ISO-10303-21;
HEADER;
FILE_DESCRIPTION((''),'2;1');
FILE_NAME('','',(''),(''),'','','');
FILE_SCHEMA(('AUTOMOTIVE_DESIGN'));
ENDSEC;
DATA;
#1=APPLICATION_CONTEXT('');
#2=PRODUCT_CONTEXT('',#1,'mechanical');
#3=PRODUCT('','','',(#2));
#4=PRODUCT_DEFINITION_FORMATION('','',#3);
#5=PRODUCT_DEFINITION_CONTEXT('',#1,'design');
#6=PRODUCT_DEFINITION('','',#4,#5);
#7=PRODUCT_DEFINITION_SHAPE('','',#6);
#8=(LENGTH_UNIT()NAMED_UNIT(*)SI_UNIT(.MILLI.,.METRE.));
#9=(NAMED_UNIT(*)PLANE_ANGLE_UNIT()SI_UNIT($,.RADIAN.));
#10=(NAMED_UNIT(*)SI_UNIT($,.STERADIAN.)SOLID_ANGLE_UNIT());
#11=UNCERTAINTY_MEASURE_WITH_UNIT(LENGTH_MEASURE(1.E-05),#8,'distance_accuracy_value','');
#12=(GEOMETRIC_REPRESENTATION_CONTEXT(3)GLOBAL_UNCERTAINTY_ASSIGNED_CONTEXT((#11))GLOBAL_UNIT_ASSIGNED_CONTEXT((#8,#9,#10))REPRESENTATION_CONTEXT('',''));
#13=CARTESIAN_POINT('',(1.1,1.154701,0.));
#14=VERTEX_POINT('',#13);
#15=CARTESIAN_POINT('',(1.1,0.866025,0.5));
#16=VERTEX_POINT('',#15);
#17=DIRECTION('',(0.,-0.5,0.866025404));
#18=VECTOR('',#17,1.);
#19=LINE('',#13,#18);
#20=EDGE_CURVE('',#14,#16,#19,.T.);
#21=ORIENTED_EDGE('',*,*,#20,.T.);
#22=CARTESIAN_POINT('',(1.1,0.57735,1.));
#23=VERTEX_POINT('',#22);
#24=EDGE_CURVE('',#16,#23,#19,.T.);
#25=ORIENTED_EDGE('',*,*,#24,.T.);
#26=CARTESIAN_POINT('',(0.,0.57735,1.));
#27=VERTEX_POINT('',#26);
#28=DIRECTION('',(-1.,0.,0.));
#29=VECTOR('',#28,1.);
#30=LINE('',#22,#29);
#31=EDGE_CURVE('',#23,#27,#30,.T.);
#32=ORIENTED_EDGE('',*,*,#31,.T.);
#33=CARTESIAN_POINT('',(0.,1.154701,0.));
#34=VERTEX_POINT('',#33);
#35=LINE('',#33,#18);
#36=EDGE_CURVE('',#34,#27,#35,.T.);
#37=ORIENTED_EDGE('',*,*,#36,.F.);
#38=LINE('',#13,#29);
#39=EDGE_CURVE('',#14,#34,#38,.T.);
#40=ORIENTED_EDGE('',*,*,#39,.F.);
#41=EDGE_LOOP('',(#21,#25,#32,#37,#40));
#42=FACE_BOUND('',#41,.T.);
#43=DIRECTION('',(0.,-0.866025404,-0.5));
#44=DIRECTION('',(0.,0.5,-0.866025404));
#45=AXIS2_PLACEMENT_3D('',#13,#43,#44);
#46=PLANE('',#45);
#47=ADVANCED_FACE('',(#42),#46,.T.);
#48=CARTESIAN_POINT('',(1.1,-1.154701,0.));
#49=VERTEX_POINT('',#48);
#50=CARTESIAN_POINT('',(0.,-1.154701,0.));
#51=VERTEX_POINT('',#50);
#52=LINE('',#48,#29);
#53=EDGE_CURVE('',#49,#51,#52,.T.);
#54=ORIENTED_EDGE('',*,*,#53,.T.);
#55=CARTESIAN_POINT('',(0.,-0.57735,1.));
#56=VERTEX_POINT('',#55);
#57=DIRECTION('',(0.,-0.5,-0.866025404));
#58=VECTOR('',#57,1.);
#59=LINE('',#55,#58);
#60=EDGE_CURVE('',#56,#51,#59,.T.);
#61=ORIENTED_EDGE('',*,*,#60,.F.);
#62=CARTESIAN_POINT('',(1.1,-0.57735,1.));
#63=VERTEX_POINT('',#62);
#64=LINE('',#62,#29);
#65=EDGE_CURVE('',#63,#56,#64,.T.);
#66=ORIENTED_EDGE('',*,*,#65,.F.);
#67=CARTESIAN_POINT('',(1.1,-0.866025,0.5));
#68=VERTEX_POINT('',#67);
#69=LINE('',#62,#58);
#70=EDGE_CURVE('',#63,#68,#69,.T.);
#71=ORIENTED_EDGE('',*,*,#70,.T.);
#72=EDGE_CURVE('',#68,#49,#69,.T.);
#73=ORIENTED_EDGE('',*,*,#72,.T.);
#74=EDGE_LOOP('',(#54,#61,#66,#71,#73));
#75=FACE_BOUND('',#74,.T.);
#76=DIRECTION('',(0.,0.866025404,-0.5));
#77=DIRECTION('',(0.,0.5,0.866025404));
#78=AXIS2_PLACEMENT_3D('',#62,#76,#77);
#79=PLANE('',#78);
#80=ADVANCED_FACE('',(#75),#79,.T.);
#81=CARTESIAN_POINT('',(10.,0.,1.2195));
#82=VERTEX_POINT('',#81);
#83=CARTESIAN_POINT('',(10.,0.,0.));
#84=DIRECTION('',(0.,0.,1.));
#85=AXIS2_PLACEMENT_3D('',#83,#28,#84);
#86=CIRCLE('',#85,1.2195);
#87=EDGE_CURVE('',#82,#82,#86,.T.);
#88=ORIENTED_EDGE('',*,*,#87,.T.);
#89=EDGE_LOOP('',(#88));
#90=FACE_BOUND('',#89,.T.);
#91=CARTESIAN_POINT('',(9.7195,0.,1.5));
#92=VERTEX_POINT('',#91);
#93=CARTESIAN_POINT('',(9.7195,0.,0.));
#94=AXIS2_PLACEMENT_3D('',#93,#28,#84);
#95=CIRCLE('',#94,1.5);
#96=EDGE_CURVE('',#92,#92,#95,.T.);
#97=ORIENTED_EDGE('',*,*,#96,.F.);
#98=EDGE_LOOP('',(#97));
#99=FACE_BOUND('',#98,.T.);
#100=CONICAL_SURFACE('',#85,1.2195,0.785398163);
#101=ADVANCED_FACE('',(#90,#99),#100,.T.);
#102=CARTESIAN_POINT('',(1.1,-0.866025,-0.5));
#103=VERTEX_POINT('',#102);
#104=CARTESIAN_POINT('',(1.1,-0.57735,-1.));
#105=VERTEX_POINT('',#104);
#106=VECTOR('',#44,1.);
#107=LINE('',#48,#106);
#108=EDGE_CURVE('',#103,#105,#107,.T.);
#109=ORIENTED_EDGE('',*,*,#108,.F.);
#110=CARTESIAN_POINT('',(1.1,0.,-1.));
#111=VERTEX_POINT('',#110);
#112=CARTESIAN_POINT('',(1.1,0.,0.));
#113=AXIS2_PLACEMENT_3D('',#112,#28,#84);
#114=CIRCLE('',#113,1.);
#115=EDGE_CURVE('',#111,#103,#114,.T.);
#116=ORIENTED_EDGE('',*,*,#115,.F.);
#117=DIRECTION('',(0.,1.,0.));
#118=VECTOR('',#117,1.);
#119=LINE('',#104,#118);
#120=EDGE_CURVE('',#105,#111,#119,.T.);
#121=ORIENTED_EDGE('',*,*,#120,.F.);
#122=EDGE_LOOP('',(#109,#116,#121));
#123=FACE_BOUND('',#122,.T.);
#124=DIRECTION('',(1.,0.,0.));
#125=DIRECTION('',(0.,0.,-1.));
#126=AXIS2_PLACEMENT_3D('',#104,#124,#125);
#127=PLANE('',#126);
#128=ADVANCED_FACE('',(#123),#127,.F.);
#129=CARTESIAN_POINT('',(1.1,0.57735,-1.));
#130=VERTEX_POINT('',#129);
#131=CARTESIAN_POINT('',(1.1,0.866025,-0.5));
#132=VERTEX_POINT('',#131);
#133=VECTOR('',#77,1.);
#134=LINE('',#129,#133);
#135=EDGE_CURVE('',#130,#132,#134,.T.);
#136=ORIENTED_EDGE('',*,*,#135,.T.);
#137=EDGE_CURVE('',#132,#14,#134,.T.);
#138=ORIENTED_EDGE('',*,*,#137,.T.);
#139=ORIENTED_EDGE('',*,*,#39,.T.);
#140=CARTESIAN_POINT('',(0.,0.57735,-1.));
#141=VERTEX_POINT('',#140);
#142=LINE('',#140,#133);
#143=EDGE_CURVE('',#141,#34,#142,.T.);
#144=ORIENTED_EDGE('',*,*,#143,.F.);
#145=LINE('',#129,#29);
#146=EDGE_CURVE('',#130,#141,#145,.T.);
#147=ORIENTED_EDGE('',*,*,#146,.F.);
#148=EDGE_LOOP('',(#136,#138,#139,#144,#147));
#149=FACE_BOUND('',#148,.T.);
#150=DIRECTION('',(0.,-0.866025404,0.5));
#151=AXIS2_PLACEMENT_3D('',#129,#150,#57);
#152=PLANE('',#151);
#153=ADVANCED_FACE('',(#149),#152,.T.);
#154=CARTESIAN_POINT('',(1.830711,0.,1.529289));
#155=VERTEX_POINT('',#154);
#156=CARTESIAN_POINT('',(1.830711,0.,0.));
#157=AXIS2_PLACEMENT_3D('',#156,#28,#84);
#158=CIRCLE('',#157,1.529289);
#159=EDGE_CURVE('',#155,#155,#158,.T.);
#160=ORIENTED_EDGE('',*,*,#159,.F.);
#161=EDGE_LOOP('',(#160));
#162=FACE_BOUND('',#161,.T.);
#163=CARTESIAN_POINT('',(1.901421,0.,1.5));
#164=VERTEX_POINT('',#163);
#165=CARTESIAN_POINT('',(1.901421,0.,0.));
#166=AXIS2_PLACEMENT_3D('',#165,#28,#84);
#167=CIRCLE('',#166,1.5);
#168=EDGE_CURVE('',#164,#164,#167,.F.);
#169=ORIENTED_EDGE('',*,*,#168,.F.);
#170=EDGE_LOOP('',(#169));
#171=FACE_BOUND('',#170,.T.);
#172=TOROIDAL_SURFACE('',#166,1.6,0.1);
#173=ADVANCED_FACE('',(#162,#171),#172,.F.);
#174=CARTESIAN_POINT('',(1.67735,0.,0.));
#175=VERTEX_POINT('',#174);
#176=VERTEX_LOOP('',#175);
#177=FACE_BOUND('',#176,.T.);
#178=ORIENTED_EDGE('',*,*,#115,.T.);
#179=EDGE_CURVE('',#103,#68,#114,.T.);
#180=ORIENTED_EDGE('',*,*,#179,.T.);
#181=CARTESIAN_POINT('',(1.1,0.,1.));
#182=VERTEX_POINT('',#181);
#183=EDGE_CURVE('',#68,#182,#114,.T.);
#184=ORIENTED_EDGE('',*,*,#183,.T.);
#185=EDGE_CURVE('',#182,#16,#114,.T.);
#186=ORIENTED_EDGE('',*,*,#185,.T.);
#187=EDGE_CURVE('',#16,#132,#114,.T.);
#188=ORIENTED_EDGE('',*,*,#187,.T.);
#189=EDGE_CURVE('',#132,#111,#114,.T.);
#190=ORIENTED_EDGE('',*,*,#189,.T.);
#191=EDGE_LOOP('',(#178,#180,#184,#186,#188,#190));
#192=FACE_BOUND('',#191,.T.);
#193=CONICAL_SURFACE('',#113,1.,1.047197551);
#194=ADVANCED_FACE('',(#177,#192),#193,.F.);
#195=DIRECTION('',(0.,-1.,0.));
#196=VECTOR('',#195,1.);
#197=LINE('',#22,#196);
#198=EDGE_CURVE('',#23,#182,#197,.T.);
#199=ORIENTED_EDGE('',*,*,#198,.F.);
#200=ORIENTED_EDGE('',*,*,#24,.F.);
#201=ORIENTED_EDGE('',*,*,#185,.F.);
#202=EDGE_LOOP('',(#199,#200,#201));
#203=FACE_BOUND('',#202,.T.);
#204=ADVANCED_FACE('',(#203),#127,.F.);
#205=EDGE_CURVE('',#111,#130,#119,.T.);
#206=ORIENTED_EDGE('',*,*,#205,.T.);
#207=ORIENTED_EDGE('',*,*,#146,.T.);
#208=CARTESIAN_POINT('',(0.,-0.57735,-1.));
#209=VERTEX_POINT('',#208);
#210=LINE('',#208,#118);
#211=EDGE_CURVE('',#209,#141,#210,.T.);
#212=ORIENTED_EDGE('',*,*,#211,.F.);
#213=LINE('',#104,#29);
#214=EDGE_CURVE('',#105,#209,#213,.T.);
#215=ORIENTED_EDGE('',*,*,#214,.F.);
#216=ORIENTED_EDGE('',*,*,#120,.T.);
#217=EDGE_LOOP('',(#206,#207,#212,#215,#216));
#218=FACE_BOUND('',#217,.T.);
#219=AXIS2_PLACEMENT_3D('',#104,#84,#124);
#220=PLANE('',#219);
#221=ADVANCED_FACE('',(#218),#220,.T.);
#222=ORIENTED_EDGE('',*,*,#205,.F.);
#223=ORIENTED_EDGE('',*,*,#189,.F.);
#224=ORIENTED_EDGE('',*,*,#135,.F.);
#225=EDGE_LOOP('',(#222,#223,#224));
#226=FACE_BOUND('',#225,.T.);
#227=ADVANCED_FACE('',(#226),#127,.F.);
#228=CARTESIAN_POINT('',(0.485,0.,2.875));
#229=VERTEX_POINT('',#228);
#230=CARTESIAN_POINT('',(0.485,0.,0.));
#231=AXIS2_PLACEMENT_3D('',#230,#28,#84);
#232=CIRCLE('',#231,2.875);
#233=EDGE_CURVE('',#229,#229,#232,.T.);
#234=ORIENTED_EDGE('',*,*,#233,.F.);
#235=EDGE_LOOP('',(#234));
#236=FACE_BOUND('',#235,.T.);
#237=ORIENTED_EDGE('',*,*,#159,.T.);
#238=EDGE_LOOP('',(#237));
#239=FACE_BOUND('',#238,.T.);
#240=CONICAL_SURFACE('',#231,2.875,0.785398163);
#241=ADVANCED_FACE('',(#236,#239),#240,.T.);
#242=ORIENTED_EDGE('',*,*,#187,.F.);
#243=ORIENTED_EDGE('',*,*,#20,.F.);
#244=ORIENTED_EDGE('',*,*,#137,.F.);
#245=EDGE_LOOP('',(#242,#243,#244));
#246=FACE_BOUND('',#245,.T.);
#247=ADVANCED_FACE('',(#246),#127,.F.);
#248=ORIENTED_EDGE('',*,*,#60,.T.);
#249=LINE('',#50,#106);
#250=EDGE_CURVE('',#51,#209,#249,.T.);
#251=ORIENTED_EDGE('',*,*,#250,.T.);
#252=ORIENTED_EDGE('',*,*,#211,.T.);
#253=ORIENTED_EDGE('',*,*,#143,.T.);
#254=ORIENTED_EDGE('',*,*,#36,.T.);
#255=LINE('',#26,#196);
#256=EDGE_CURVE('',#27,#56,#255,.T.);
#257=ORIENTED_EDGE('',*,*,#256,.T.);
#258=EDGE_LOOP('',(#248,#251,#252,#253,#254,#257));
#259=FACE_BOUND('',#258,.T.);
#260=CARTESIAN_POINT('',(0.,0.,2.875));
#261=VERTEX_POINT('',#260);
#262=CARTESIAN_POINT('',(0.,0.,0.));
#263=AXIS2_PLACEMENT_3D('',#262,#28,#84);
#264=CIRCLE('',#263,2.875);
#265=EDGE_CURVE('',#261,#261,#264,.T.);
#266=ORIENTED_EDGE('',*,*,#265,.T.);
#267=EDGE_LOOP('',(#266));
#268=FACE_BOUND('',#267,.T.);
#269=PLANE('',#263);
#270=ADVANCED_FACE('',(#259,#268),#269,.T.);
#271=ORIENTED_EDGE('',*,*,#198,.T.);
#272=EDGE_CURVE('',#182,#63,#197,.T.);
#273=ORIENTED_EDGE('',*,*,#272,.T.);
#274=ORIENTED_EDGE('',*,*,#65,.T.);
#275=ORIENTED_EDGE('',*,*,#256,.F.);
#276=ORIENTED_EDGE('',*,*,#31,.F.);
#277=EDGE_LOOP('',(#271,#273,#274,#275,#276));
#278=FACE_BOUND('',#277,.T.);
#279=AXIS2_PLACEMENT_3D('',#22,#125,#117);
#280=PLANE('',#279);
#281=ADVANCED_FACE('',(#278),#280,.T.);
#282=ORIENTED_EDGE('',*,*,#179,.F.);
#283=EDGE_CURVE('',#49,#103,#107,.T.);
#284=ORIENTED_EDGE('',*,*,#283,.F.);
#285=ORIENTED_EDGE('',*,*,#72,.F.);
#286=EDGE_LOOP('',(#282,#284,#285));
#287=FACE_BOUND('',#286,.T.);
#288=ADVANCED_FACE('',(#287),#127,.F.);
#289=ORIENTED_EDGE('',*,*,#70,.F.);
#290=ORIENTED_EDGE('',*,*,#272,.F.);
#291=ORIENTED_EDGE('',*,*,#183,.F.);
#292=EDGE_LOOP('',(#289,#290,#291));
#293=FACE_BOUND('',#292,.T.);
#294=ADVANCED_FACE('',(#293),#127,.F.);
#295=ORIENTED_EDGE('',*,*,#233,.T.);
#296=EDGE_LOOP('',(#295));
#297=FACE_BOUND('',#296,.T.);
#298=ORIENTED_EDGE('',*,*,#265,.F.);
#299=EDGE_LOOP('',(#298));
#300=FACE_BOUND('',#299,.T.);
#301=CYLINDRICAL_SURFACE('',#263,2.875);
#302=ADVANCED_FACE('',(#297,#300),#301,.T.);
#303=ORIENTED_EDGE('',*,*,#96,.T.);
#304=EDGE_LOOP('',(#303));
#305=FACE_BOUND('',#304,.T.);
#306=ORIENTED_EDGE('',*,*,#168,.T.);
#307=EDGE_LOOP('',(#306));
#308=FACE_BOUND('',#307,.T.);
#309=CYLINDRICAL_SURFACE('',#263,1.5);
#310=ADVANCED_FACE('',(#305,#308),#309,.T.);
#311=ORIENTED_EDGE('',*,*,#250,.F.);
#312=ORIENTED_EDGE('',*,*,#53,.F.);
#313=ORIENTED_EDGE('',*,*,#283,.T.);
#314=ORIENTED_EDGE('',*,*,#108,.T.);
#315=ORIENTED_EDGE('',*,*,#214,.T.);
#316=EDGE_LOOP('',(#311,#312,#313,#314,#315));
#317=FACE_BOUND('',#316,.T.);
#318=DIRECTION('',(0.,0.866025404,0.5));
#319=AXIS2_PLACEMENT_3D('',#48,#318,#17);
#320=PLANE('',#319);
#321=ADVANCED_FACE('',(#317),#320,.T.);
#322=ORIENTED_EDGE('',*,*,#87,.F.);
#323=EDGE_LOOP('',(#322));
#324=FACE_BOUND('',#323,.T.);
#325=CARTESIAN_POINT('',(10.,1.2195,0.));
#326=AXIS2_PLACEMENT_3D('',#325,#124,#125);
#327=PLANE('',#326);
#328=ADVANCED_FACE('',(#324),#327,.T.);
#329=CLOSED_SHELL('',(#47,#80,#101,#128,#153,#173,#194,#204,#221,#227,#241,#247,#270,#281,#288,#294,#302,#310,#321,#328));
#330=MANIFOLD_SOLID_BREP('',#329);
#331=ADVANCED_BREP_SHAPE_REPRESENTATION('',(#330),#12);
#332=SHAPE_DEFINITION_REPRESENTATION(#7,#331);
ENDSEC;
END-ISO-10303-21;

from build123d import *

# Parameters (mm, degrees)
FILLET1_R   = 0.1
HEX_2_DEPTH = 1.1


with BuildPart() as part:
    # BodySke → BaseBody (revolve)
    with BuildSketch(Plane.XY, mode=Mode.PRIVATE) as basebody_sk:
        Polygon((0, 0), (0, 2.875), (0.485, 2.875), (1.86, 1.5), (9.7195, 1.5), (10, 1.2195), (10, 0), align=None)
    revolve(basebody_sk.sketch.rotate(Axis((0, 0, 0), (1, 0, 0)), 90), axis=Axis((0, 0, 0), (1, 0, 0)))

    # Fillet1
    fillet1_edges = [part.edges().sort_by_distance(p)[0] for p in [
        (1.86, 0, -1.5),
    ]]
    fillet(fillet1_edges, radius=FILLET1_R)

    # Sketch2 → PreBroach (revolve, cut)
    with BuildSketch(Plane.XY, mode=Mode.PRIVATE) as prebroach_sk:
        Polygon((0, 1), (1.1, 1), (1.677350269, 0), (0, 0), align=None)
    revolve(prebroach_sk.sketch.rotate(Axis((0, 0, 0), (1, 0, 0)), 90), axis=Axis((0, 0, 0), (1, 0, 0)), mode=Mode.SUBTRACT)

    # Sketch3 → Hex 2 (cut)
    with BuildSketch(Plane.ZY):
        Polygon((-1, -0.577350269), (-1, 0.577350269), (0, 1.154700538), (1, 0.577350269), (1, -0.577350269), (0, -1.154700538), align=None)
    extrude(amount=-HEX_2_DEPTH, mode=Mode.SUBTRACT)


solid = part.part
